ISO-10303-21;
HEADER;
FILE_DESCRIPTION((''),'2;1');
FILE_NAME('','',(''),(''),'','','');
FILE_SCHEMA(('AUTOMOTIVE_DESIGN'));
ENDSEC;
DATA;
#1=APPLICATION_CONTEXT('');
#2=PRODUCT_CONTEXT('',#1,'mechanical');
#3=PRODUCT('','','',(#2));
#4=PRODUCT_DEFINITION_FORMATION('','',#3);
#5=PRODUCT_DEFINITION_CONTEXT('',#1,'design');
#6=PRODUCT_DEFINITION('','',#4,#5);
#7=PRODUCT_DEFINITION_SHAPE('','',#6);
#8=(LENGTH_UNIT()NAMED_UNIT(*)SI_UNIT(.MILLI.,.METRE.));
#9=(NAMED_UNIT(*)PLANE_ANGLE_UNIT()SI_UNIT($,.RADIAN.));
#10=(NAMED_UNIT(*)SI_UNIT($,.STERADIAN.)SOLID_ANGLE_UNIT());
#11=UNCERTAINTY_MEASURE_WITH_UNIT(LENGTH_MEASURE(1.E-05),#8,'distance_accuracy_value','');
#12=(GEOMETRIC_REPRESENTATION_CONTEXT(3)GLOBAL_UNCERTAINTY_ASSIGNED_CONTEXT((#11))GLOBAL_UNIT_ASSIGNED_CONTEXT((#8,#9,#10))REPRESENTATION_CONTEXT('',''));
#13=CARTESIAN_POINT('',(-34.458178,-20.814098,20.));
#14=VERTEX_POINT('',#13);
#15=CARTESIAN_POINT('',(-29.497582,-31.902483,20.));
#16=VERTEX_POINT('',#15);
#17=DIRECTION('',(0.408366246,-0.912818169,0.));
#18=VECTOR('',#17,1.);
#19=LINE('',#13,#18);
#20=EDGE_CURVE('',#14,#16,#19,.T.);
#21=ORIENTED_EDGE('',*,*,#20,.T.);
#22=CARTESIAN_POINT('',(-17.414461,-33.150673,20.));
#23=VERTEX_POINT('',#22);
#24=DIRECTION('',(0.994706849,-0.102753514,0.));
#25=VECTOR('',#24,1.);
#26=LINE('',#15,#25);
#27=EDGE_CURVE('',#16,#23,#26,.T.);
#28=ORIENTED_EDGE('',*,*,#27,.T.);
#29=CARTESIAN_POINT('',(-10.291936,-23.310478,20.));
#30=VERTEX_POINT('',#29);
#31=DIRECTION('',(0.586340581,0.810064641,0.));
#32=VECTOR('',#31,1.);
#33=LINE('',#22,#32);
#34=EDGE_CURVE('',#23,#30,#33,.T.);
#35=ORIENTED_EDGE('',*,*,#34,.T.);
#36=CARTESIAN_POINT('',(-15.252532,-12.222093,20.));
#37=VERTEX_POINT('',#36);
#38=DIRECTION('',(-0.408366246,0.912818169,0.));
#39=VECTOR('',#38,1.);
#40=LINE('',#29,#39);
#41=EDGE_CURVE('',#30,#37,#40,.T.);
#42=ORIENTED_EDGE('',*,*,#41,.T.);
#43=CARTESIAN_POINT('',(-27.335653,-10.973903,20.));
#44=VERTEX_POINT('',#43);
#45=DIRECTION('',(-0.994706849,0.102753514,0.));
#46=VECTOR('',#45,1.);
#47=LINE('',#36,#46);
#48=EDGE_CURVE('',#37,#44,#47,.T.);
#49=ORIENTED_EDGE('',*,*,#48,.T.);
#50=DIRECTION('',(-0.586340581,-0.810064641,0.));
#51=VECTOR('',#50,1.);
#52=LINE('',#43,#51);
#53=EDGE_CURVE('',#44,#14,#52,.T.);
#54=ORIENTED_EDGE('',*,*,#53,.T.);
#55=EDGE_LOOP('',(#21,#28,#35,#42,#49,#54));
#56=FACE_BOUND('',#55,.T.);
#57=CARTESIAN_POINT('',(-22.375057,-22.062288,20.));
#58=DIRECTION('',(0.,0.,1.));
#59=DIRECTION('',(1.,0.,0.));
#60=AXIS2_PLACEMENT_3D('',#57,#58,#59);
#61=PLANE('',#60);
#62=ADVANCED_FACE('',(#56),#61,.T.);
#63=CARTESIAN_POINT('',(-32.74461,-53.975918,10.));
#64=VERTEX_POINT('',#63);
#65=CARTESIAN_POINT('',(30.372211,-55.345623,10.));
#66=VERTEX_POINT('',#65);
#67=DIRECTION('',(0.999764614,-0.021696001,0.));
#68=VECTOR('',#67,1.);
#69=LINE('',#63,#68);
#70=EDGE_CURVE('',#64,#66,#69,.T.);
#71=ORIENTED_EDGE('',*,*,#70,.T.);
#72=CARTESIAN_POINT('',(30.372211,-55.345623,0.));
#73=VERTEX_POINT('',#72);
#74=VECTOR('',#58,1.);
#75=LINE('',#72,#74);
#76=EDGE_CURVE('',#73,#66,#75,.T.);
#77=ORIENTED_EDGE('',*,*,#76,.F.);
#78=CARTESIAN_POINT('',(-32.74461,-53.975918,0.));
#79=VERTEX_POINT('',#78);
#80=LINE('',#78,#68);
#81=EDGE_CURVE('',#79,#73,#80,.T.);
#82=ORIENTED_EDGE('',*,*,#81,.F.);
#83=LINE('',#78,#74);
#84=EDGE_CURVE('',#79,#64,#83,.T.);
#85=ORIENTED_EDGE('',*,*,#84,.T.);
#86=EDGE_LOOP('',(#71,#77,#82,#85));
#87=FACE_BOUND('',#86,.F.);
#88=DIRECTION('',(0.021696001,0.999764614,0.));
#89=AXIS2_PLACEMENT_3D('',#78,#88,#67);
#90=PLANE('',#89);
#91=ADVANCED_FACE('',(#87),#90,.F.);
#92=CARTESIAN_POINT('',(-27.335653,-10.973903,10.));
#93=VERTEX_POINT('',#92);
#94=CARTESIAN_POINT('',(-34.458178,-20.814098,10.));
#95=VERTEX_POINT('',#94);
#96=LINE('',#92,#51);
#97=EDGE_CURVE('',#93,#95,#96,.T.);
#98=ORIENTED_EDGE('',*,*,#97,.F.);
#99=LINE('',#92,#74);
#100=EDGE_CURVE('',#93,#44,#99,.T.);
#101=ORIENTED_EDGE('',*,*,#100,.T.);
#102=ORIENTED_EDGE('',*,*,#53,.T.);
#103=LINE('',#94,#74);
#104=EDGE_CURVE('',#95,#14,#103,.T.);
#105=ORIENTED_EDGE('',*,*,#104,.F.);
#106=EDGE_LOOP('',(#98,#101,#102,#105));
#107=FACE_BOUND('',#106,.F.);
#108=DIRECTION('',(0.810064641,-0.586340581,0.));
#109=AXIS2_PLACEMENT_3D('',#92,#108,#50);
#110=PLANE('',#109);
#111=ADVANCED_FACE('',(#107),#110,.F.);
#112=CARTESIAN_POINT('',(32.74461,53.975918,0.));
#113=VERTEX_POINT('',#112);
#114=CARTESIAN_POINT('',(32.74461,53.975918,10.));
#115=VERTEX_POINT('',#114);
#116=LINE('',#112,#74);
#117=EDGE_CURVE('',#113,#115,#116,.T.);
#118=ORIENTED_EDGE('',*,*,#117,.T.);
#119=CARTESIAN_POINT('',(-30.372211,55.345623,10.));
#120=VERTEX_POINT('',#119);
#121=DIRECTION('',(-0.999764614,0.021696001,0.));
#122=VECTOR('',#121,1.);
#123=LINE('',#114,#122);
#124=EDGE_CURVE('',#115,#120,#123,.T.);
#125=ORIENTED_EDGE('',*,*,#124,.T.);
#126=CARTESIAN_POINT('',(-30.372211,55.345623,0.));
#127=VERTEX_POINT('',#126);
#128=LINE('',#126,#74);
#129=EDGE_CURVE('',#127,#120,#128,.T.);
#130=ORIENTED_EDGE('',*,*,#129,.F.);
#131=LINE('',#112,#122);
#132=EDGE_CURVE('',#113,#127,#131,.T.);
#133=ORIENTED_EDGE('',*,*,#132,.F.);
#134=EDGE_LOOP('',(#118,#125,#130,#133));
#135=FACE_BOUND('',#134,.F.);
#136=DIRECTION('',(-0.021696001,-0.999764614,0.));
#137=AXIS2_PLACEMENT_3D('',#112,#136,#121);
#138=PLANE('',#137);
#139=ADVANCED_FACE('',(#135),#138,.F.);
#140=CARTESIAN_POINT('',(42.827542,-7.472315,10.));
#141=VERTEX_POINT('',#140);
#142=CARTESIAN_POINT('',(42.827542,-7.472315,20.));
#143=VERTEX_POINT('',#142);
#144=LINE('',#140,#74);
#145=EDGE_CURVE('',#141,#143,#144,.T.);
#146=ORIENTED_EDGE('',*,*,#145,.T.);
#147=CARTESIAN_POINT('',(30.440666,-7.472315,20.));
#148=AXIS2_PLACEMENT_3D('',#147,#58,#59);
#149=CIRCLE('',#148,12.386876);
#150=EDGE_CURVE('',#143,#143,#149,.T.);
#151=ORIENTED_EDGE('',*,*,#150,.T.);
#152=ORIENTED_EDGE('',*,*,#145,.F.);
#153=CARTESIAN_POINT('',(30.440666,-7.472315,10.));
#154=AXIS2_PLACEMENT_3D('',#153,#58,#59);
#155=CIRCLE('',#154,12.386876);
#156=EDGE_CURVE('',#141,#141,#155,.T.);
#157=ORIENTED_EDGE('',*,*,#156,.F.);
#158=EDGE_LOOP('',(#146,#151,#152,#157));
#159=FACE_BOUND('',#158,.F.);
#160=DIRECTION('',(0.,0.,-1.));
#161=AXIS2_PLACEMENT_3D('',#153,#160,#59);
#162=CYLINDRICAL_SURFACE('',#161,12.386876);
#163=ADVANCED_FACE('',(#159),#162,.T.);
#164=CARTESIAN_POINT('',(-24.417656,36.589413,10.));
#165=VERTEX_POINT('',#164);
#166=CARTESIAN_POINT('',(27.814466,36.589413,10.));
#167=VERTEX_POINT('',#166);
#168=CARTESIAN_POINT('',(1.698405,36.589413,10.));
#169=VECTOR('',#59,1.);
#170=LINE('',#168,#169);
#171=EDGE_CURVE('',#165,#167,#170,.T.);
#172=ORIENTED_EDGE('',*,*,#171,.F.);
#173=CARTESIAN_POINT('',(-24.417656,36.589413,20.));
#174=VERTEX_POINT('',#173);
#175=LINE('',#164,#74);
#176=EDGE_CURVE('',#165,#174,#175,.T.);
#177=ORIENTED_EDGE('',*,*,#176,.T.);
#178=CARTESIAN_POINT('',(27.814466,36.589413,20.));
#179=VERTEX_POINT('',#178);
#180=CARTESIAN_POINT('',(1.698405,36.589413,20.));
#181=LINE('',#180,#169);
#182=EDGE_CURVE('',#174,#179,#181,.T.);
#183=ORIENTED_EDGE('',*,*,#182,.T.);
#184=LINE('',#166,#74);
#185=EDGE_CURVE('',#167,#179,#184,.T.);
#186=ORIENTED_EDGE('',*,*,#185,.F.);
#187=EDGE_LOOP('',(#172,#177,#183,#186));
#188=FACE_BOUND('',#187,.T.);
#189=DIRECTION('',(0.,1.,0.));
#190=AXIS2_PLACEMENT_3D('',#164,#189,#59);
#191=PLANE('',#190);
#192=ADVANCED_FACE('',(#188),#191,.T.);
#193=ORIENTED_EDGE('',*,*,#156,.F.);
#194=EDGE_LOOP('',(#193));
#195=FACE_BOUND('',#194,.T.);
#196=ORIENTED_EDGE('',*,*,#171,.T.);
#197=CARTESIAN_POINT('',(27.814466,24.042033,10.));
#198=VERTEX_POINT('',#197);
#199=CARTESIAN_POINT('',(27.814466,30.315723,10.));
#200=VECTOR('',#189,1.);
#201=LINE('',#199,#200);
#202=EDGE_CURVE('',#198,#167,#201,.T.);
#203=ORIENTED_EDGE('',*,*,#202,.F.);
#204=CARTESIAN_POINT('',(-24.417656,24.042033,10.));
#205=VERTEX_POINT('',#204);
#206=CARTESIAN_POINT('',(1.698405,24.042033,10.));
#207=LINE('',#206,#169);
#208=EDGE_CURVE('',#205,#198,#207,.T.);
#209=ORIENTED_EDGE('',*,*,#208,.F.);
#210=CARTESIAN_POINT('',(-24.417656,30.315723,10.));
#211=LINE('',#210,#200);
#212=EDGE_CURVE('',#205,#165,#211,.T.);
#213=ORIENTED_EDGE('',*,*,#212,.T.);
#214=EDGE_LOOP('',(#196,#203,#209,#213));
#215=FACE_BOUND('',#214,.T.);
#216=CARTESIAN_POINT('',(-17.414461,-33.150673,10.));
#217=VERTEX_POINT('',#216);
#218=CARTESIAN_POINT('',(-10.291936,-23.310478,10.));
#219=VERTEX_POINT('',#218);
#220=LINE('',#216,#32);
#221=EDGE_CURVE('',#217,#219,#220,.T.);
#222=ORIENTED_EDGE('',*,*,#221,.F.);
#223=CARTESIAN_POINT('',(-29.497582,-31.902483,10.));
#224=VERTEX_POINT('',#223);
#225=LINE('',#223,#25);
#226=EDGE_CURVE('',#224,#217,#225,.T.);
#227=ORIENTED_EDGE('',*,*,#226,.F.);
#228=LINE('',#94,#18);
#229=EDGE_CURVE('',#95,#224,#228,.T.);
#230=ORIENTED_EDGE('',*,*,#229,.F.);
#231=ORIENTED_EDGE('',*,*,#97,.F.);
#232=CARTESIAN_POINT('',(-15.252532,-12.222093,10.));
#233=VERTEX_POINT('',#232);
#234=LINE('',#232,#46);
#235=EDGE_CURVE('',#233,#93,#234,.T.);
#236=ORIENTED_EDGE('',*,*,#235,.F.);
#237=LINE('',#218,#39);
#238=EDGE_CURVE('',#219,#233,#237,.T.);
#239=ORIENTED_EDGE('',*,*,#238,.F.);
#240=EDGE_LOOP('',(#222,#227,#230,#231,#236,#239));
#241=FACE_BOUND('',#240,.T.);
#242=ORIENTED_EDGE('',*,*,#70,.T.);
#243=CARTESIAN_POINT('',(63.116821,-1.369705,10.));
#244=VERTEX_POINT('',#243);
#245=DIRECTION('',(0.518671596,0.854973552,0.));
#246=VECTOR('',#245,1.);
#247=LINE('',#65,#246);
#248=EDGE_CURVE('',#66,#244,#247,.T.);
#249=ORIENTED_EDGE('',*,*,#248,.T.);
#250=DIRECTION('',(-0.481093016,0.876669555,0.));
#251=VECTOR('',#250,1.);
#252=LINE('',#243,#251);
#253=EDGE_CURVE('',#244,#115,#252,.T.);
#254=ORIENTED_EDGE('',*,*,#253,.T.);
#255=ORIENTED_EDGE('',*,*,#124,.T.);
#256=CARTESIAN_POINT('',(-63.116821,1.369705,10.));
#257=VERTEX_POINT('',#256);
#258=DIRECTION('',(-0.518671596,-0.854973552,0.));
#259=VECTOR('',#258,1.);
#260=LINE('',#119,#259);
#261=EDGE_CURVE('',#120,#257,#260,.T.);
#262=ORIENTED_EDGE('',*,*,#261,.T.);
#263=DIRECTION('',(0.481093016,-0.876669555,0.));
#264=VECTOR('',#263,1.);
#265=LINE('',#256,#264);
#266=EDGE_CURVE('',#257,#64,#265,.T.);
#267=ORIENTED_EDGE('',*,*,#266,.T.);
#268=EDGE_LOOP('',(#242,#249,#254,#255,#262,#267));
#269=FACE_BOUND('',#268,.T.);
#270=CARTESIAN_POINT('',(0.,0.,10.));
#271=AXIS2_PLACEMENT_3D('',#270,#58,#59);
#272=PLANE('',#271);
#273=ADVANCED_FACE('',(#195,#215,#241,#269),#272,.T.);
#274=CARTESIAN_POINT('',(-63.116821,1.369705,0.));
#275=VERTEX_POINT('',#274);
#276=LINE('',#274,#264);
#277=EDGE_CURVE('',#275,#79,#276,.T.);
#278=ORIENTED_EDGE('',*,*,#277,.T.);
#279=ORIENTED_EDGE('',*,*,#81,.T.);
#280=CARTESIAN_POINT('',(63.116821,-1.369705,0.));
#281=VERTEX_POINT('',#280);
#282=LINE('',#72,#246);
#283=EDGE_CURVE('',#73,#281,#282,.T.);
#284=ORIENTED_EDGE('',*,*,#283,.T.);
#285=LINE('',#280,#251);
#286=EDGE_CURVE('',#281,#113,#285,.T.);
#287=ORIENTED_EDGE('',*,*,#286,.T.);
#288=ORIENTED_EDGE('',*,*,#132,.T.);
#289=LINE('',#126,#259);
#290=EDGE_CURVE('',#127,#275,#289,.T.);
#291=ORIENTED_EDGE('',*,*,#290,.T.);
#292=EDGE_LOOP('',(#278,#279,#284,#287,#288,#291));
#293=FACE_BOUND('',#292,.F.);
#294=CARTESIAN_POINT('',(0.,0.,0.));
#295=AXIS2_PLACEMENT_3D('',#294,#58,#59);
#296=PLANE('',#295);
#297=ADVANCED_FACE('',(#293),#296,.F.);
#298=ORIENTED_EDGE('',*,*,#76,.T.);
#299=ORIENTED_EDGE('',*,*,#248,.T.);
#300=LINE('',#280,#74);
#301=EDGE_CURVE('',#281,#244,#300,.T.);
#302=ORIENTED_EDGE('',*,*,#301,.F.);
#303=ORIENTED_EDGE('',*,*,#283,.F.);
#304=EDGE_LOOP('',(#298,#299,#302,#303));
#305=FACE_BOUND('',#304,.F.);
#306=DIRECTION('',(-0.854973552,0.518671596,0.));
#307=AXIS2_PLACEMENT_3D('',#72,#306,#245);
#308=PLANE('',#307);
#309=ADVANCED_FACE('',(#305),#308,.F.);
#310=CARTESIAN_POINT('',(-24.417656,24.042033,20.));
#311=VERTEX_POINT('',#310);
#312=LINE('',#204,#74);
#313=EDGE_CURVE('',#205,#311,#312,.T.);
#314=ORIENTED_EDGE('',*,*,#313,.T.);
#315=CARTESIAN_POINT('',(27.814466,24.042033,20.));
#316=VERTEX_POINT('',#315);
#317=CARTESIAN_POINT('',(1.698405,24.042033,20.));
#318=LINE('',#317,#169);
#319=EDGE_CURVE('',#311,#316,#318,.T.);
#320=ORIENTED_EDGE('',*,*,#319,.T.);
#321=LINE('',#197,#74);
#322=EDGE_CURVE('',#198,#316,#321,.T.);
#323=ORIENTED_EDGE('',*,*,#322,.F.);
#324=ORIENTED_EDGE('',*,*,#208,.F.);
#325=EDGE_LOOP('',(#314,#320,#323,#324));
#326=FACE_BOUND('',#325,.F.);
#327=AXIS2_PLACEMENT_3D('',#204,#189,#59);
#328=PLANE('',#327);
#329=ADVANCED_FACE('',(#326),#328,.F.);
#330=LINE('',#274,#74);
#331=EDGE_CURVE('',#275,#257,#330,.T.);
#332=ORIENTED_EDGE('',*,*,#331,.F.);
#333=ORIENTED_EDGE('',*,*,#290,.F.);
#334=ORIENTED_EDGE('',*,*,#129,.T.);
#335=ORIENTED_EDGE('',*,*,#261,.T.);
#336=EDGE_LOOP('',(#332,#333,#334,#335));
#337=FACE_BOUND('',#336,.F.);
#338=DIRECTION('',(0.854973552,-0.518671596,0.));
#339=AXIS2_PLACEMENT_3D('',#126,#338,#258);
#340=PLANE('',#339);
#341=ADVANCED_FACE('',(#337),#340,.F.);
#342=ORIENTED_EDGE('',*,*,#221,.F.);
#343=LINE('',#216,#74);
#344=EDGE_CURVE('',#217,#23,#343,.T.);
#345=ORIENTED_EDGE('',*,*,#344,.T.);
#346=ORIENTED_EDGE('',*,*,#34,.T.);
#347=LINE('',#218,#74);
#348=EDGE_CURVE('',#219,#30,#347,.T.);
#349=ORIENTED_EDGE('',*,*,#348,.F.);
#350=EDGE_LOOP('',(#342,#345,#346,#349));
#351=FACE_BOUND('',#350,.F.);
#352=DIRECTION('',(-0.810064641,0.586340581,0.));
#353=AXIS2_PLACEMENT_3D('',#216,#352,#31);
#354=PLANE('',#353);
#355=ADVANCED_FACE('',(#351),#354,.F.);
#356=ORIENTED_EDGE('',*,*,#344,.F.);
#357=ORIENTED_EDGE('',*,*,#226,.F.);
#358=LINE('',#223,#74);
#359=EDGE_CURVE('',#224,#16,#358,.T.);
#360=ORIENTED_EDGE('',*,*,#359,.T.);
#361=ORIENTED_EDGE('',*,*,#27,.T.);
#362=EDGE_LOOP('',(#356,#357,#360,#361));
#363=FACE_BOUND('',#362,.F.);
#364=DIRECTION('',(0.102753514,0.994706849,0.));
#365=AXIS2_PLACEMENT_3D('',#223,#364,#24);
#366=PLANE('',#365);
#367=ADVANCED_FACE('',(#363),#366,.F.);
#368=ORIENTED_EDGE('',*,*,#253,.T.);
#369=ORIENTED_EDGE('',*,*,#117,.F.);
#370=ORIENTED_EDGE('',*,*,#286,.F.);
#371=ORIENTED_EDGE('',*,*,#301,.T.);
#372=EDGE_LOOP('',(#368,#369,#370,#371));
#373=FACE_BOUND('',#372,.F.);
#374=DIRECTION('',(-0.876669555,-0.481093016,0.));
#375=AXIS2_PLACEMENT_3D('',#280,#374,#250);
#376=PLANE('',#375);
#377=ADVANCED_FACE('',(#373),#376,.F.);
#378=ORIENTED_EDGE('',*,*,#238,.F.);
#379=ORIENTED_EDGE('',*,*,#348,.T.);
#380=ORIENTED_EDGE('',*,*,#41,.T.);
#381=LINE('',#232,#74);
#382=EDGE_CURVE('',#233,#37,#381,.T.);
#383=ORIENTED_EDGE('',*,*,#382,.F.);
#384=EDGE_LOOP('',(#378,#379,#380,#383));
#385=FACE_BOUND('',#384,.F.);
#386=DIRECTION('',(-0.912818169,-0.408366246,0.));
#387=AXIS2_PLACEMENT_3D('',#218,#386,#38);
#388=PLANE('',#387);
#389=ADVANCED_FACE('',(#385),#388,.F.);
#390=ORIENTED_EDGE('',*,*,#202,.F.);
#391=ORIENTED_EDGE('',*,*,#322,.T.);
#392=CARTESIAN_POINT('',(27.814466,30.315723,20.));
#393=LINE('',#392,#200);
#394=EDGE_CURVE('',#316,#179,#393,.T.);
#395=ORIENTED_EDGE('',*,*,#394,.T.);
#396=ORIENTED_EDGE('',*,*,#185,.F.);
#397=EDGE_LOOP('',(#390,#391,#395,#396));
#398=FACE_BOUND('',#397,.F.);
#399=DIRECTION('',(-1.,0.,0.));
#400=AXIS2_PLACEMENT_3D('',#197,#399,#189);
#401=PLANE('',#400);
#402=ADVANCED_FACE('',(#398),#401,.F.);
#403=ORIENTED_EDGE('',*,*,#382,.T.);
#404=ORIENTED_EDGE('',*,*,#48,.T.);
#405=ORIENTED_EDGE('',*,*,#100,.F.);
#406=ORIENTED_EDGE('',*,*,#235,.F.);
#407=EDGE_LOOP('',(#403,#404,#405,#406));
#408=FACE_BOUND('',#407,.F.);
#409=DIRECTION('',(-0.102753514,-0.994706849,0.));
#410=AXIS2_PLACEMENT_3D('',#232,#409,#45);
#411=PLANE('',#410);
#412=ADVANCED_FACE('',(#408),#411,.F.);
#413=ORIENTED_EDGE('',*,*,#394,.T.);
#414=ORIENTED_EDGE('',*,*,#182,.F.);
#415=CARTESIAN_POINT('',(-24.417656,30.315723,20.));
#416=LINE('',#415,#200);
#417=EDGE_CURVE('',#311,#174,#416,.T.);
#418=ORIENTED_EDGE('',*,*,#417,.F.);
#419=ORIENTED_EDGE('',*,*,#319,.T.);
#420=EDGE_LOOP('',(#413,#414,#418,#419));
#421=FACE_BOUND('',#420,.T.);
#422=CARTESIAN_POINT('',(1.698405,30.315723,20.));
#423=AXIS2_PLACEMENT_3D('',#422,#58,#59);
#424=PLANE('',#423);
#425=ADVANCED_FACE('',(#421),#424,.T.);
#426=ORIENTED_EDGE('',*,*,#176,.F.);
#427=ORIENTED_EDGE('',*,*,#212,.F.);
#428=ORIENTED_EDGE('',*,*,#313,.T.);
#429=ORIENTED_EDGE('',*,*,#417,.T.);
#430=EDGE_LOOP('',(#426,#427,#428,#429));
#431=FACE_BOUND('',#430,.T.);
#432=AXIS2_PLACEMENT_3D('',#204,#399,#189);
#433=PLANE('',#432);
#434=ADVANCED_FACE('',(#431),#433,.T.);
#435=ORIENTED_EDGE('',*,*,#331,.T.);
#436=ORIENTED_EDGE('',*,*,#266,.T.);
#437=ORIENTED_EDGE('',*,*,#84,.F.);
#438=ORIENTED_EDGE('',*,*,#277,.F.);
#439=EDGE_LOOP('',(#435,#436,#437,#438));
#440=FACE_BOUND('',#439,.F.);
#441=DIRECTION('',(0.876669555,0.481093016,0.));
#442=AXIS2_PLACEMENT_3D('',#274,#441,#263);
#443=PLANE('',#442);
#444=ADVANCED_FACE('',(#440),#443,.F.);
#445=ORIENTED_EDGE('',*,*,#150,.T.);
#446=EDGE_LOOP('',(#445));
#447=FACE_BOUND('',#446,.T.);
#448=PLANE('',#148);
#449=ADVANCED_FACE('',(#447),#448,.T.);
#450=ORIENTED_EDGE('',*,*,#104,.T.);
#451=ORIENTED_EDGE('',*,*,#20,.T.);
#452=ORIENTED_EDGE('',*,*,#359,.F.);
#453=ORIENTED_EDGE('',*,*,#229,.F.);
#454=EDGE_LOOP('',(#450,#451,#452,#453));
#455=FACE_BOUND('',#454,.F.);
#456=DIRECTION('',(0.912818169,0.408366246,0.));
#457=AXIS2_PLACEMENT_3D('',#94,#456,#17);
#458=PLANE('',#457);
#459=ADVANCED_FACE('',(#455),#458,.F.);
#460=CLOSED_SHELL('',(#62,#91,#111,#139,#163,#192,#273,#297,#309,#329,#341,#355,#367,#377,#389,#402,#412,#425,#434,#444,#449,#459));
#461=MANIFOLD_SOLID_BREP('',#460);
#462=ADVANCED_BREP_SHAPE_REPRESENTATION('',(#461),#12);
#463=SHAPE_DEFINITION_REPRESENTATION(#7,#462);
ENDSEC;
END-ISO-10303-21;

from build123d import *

# Parameters (mm, degrees)
PAD_DEPTH    = 10
SKETCH001_R  = 12.386876
SKETCH001_W  = 52.232122
SKETCH001_H  = 12.547379
PAD001_DEPTH = 10


with BuildPart() as part:
    # Sketch → Pad (new body)
    with BuildSketch(Plane.XY):
        Polygon((30.372211, -55.345623), (63.116821, -1.369705), (32.74461, 53.975918), (-30.372211, 55.345623), (-63.116821, 1.369705), (-32.74461, -53.975918), align=None)
    extrude(amount=PAD_DEPTH)

    # Sketch001 (on Face8 of Pad) → Pad001 (join)
    with BuildSketch(Plane.XY.offset(10)):
        with Locations((30.440666, -7.472315)):
            Circle(SKETCH001_R)
        with Locations((1.698405, 30.315723)):
            Rectangle(SKETCH001_W, SKETCH001_H)
        Polygon((-17.414461, -33.150673), (-10.291936, -23.310478), (-15.252532, -12.222093), (-27.335653, -10.973903), (-34.458178, -20.814098), (-29.497582, -31.902483), align=None)
    extrude(amount=PAD001_DEPTH)


solid = part.part
